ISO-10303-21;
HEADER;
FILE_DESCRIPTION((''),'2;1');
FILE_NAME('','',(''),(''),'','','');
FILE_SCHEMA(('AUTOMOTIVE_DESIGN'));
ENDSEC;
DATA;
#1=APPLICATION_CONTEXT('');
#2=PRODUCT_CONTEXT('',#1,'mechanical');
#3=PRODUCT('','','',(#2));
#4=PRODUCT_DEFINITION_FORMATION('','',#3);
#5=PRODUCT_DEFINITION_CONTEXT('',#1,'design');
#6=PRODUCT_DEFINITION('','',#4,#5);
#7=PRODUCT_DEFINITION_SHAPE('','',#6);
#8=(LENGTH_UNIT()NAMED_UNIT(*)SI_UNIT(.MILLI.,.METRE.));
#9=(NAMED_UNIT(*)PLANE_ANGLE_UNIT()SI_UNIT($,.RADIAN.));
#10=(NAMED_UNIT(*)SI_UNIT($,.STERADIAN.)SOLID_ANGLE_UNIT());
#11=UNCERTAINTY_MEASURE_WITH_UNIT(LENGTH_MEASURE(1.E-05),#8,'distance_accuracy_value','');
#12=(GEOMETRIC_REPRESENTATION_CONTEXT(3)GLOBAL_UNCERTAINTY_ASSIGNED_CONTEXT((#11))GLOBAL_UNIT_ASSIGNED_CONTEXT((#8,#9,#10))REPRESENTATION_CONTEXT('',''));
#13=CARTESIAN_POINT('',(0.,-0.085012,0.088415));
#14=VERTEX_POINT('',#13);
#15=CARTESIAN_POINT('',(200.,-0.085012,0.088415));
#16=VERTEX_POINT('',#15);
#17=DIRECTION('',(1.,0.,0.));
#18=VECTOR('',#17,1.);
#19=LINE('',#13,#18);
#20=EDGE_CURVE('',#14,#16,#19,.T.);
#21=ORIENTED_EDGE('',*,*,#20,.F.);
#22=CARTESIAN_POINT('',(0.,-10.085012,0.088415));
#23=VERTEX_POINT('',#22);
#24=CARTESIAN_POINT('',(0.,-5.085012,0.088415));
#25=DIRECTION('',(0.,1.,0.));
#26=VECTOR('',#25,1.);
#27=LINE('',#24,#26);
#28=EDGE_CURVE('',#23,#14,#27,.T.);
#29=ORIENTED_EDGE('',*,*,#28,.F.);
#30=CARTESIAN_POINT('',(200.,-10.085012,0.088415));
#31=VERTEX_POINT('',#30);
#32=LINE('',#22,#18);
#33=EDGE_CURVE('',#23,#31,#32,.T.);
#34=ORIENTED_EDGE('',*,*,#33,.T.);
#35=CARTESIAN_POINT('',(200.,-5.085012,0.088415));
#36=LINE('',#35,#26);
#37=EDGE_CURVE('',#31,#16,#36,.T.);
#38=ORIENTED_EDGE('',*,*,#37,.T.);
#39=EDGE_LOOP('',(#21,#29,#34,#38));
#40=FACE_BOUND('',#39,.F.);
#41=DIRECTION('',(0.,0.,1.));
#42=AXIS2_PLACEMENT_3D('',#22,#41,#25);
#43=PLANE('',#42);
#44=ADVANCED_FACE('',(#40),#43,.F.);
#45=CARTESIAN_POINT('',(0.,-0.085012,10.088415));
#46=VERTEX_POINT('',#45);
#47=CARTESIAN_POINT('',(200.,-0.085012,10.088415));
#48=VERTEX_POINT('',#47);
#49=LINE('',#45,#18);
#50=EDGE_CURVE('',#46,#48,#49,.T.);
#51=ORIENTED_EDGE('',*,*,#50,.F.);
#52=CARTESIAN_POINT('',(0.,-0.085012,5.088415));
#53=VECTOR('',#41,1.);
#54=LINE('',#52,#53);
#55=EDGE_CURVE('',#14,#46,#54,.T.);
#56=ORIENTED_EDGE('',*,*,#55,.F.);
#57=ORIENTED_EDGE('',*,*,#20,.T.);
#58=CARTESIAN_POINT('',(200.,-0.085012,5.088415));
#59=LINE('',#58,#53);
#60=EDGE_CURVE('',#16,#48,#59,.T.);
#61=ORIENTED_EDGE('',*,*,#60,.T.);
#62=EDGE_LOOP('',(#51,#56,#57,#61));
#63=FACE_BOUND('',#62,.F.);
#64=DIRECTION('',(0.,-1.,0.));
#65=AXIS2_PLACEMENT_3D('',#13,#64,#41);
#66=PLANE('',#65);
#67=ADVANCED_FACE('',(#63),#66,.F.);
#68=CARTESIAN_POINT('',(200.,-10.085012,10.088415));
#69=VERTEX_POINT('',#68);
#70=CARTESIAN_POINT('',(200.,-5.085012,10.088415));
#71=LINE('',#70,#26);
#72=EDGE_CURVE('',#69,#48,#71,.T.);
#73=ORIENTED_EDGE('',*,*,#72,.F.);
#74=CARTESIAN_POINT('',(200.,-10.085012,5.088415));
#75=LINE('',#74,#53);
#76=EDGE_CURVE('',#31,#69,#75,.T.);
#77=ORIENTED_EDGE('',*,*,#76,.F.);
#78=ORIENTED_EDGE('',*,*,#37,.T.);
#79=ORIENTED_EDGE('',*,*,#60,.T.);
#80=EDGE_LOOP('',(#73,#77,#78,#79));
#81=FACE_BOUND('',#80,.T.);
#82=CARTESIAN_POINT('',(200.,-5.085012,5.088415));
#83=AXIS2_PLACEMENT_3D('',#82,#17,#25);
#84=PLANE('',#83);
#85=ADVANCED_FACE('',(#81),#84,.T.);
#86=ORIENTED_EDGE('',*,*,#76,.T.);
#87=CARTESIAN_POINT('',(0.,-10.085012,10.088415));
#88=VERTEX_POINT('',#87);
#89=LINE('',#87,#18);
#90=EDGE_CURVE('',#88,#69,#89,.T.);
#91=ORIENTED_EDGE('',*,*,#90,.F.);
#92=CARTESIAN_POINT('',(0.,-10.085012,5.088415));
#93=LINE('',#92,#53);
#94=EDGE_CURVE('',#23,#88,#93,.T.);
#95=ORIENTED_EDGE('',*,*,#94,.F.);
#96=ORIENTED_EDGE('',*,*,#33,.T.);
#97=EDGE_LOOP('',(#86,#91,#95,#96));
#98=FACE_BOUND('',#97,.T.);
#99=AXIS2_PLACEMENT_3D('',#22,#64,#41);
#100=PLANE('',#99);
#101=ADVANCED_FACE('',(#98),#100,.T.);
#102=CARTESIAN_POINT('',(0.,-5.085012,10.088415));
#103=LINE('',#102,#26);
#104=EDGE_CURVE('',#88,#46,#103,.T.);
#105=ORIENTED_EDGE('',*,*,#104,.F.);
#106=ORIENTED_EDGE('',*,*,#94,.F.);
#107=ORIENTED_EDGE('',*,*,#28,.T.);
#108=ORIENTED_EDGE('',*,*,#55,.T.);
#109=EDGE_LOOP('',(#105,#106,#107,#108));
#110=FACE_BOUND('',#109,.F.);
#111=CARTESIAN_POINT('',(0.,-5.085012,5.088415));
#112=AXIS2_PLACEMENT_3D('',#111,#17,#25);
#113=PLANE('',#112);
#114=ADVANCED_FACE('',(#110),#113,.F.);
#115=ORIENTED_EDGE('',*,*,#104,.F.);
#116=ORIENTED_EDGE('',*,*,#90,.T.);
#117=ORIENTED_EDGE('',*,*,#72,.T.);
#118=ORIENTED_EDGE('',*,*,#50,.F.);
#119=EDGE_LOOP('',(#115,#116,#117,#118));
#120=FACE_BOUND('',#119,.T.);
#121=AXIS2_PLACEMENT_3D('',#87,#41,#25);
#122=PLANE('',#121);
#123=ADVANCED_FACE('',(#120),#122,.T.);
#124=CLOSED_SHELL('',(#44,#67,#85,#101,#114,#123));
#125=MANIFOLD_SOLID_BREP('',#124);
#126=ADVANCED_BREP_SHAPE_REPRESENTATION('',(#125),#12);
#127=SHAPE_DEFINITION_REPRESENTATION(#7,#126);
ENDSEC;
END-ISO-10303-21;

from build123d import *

# Parameters (mm, degrees)
SKETCH_W  = 10
SKETCH_H  = 10
PAD_DEPTH = 200


with BuildPart() as part:
    # Sketch → Pad (new body)
    with BuildSketch(Plane.YZ):
        with Locations((-5.085012, 5.088415)):
            Rectangle(SKETCH_W, SKETCH_H)
    extrude(amount=PAD_DEPTH)


solid = part.part
